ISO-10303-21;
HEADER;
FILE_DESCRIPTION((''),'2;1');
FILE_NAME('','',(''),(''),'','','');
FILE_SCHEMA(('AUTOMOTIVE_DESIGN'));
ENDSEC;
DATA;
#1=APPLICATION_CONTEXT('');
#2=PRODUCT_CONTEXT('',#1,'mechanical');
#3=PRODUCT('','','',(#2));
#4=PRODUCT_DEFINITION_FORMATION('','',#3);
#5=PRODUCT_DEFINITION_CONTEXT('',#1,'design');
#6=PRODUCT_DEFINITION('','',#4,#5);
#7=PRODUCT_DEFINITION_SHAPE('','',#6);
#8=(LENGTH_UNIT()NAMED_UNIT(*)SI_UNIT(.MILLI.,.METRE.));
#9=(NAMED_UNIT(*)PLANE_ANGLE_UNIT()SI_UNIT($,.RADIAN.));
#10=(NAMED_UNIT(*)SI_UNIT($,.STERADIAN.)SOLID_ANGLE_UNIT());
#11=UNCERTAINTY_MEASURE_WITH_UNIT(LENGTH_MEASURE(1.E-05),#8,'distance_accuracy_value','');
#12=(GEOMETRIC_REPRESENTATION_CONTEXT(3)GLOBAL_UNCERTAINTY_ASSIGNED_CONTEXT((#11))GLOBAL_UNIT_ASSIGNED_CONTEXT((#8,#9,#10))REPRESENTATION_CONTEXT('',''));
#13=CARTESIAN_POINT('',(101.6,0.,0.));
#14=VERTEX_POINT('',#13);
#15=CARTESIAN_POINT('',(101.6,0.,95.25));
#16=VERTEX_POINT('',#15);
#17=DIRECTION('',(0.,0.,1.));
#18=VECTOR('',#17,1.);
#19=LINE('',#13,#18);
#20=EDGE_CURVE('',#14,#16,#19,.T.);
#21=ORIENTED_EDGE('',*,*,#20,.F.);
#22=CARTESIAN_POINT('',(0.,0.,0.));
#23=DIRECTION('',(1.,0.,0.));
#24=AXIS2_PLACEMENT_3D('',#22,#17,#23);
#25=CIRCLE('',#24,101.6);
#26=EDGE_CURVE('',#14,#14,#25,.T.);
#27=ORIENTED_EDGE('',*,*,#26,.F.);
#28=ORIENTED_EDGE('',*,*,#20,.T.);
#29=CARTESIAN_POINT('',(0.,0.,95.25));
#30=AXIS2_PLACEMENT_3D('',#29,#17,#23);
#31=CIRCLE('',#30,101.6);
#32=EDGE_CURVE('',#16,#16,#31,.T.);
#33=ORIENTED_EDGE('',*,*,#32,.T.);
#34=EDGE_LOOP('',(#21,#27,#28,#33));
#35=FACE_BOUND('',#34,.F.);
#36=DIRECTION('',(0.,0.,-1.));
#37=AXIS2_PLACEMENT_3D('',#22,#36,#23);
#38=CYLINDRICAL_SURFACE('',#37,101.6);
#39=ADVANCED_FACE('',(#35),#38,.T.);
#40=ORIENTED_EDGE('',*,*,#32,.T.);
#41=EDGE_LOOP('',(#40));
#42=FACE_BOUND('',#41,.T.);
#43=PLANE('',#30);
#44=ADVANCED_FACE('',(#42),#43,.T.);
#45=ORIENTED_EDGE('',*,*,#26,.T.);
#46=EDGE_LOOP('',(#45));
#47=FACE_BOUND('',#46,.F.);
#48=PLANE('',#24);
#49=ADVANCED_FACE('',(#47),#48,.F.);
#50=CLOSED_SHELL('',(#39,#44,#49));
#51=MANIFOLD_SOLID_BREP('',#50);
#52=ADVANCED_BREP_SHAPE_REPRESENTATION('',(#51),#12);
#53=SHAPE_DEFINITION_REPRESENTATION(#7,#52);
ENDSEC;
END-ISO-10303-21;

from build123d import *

# Parameters (mm, degrees)
CYLINDER_R     = 101.6
CYLINDER_DEPTH = 95.25


with BuildPart() as part:
    # Cylinder → Cylinder (new body)
    with BuildSketch(Plane.XY):
        Circle(CYLINDER_R)
    extrude(amount=CYLINDER_DEPTH)


solid = part.part
